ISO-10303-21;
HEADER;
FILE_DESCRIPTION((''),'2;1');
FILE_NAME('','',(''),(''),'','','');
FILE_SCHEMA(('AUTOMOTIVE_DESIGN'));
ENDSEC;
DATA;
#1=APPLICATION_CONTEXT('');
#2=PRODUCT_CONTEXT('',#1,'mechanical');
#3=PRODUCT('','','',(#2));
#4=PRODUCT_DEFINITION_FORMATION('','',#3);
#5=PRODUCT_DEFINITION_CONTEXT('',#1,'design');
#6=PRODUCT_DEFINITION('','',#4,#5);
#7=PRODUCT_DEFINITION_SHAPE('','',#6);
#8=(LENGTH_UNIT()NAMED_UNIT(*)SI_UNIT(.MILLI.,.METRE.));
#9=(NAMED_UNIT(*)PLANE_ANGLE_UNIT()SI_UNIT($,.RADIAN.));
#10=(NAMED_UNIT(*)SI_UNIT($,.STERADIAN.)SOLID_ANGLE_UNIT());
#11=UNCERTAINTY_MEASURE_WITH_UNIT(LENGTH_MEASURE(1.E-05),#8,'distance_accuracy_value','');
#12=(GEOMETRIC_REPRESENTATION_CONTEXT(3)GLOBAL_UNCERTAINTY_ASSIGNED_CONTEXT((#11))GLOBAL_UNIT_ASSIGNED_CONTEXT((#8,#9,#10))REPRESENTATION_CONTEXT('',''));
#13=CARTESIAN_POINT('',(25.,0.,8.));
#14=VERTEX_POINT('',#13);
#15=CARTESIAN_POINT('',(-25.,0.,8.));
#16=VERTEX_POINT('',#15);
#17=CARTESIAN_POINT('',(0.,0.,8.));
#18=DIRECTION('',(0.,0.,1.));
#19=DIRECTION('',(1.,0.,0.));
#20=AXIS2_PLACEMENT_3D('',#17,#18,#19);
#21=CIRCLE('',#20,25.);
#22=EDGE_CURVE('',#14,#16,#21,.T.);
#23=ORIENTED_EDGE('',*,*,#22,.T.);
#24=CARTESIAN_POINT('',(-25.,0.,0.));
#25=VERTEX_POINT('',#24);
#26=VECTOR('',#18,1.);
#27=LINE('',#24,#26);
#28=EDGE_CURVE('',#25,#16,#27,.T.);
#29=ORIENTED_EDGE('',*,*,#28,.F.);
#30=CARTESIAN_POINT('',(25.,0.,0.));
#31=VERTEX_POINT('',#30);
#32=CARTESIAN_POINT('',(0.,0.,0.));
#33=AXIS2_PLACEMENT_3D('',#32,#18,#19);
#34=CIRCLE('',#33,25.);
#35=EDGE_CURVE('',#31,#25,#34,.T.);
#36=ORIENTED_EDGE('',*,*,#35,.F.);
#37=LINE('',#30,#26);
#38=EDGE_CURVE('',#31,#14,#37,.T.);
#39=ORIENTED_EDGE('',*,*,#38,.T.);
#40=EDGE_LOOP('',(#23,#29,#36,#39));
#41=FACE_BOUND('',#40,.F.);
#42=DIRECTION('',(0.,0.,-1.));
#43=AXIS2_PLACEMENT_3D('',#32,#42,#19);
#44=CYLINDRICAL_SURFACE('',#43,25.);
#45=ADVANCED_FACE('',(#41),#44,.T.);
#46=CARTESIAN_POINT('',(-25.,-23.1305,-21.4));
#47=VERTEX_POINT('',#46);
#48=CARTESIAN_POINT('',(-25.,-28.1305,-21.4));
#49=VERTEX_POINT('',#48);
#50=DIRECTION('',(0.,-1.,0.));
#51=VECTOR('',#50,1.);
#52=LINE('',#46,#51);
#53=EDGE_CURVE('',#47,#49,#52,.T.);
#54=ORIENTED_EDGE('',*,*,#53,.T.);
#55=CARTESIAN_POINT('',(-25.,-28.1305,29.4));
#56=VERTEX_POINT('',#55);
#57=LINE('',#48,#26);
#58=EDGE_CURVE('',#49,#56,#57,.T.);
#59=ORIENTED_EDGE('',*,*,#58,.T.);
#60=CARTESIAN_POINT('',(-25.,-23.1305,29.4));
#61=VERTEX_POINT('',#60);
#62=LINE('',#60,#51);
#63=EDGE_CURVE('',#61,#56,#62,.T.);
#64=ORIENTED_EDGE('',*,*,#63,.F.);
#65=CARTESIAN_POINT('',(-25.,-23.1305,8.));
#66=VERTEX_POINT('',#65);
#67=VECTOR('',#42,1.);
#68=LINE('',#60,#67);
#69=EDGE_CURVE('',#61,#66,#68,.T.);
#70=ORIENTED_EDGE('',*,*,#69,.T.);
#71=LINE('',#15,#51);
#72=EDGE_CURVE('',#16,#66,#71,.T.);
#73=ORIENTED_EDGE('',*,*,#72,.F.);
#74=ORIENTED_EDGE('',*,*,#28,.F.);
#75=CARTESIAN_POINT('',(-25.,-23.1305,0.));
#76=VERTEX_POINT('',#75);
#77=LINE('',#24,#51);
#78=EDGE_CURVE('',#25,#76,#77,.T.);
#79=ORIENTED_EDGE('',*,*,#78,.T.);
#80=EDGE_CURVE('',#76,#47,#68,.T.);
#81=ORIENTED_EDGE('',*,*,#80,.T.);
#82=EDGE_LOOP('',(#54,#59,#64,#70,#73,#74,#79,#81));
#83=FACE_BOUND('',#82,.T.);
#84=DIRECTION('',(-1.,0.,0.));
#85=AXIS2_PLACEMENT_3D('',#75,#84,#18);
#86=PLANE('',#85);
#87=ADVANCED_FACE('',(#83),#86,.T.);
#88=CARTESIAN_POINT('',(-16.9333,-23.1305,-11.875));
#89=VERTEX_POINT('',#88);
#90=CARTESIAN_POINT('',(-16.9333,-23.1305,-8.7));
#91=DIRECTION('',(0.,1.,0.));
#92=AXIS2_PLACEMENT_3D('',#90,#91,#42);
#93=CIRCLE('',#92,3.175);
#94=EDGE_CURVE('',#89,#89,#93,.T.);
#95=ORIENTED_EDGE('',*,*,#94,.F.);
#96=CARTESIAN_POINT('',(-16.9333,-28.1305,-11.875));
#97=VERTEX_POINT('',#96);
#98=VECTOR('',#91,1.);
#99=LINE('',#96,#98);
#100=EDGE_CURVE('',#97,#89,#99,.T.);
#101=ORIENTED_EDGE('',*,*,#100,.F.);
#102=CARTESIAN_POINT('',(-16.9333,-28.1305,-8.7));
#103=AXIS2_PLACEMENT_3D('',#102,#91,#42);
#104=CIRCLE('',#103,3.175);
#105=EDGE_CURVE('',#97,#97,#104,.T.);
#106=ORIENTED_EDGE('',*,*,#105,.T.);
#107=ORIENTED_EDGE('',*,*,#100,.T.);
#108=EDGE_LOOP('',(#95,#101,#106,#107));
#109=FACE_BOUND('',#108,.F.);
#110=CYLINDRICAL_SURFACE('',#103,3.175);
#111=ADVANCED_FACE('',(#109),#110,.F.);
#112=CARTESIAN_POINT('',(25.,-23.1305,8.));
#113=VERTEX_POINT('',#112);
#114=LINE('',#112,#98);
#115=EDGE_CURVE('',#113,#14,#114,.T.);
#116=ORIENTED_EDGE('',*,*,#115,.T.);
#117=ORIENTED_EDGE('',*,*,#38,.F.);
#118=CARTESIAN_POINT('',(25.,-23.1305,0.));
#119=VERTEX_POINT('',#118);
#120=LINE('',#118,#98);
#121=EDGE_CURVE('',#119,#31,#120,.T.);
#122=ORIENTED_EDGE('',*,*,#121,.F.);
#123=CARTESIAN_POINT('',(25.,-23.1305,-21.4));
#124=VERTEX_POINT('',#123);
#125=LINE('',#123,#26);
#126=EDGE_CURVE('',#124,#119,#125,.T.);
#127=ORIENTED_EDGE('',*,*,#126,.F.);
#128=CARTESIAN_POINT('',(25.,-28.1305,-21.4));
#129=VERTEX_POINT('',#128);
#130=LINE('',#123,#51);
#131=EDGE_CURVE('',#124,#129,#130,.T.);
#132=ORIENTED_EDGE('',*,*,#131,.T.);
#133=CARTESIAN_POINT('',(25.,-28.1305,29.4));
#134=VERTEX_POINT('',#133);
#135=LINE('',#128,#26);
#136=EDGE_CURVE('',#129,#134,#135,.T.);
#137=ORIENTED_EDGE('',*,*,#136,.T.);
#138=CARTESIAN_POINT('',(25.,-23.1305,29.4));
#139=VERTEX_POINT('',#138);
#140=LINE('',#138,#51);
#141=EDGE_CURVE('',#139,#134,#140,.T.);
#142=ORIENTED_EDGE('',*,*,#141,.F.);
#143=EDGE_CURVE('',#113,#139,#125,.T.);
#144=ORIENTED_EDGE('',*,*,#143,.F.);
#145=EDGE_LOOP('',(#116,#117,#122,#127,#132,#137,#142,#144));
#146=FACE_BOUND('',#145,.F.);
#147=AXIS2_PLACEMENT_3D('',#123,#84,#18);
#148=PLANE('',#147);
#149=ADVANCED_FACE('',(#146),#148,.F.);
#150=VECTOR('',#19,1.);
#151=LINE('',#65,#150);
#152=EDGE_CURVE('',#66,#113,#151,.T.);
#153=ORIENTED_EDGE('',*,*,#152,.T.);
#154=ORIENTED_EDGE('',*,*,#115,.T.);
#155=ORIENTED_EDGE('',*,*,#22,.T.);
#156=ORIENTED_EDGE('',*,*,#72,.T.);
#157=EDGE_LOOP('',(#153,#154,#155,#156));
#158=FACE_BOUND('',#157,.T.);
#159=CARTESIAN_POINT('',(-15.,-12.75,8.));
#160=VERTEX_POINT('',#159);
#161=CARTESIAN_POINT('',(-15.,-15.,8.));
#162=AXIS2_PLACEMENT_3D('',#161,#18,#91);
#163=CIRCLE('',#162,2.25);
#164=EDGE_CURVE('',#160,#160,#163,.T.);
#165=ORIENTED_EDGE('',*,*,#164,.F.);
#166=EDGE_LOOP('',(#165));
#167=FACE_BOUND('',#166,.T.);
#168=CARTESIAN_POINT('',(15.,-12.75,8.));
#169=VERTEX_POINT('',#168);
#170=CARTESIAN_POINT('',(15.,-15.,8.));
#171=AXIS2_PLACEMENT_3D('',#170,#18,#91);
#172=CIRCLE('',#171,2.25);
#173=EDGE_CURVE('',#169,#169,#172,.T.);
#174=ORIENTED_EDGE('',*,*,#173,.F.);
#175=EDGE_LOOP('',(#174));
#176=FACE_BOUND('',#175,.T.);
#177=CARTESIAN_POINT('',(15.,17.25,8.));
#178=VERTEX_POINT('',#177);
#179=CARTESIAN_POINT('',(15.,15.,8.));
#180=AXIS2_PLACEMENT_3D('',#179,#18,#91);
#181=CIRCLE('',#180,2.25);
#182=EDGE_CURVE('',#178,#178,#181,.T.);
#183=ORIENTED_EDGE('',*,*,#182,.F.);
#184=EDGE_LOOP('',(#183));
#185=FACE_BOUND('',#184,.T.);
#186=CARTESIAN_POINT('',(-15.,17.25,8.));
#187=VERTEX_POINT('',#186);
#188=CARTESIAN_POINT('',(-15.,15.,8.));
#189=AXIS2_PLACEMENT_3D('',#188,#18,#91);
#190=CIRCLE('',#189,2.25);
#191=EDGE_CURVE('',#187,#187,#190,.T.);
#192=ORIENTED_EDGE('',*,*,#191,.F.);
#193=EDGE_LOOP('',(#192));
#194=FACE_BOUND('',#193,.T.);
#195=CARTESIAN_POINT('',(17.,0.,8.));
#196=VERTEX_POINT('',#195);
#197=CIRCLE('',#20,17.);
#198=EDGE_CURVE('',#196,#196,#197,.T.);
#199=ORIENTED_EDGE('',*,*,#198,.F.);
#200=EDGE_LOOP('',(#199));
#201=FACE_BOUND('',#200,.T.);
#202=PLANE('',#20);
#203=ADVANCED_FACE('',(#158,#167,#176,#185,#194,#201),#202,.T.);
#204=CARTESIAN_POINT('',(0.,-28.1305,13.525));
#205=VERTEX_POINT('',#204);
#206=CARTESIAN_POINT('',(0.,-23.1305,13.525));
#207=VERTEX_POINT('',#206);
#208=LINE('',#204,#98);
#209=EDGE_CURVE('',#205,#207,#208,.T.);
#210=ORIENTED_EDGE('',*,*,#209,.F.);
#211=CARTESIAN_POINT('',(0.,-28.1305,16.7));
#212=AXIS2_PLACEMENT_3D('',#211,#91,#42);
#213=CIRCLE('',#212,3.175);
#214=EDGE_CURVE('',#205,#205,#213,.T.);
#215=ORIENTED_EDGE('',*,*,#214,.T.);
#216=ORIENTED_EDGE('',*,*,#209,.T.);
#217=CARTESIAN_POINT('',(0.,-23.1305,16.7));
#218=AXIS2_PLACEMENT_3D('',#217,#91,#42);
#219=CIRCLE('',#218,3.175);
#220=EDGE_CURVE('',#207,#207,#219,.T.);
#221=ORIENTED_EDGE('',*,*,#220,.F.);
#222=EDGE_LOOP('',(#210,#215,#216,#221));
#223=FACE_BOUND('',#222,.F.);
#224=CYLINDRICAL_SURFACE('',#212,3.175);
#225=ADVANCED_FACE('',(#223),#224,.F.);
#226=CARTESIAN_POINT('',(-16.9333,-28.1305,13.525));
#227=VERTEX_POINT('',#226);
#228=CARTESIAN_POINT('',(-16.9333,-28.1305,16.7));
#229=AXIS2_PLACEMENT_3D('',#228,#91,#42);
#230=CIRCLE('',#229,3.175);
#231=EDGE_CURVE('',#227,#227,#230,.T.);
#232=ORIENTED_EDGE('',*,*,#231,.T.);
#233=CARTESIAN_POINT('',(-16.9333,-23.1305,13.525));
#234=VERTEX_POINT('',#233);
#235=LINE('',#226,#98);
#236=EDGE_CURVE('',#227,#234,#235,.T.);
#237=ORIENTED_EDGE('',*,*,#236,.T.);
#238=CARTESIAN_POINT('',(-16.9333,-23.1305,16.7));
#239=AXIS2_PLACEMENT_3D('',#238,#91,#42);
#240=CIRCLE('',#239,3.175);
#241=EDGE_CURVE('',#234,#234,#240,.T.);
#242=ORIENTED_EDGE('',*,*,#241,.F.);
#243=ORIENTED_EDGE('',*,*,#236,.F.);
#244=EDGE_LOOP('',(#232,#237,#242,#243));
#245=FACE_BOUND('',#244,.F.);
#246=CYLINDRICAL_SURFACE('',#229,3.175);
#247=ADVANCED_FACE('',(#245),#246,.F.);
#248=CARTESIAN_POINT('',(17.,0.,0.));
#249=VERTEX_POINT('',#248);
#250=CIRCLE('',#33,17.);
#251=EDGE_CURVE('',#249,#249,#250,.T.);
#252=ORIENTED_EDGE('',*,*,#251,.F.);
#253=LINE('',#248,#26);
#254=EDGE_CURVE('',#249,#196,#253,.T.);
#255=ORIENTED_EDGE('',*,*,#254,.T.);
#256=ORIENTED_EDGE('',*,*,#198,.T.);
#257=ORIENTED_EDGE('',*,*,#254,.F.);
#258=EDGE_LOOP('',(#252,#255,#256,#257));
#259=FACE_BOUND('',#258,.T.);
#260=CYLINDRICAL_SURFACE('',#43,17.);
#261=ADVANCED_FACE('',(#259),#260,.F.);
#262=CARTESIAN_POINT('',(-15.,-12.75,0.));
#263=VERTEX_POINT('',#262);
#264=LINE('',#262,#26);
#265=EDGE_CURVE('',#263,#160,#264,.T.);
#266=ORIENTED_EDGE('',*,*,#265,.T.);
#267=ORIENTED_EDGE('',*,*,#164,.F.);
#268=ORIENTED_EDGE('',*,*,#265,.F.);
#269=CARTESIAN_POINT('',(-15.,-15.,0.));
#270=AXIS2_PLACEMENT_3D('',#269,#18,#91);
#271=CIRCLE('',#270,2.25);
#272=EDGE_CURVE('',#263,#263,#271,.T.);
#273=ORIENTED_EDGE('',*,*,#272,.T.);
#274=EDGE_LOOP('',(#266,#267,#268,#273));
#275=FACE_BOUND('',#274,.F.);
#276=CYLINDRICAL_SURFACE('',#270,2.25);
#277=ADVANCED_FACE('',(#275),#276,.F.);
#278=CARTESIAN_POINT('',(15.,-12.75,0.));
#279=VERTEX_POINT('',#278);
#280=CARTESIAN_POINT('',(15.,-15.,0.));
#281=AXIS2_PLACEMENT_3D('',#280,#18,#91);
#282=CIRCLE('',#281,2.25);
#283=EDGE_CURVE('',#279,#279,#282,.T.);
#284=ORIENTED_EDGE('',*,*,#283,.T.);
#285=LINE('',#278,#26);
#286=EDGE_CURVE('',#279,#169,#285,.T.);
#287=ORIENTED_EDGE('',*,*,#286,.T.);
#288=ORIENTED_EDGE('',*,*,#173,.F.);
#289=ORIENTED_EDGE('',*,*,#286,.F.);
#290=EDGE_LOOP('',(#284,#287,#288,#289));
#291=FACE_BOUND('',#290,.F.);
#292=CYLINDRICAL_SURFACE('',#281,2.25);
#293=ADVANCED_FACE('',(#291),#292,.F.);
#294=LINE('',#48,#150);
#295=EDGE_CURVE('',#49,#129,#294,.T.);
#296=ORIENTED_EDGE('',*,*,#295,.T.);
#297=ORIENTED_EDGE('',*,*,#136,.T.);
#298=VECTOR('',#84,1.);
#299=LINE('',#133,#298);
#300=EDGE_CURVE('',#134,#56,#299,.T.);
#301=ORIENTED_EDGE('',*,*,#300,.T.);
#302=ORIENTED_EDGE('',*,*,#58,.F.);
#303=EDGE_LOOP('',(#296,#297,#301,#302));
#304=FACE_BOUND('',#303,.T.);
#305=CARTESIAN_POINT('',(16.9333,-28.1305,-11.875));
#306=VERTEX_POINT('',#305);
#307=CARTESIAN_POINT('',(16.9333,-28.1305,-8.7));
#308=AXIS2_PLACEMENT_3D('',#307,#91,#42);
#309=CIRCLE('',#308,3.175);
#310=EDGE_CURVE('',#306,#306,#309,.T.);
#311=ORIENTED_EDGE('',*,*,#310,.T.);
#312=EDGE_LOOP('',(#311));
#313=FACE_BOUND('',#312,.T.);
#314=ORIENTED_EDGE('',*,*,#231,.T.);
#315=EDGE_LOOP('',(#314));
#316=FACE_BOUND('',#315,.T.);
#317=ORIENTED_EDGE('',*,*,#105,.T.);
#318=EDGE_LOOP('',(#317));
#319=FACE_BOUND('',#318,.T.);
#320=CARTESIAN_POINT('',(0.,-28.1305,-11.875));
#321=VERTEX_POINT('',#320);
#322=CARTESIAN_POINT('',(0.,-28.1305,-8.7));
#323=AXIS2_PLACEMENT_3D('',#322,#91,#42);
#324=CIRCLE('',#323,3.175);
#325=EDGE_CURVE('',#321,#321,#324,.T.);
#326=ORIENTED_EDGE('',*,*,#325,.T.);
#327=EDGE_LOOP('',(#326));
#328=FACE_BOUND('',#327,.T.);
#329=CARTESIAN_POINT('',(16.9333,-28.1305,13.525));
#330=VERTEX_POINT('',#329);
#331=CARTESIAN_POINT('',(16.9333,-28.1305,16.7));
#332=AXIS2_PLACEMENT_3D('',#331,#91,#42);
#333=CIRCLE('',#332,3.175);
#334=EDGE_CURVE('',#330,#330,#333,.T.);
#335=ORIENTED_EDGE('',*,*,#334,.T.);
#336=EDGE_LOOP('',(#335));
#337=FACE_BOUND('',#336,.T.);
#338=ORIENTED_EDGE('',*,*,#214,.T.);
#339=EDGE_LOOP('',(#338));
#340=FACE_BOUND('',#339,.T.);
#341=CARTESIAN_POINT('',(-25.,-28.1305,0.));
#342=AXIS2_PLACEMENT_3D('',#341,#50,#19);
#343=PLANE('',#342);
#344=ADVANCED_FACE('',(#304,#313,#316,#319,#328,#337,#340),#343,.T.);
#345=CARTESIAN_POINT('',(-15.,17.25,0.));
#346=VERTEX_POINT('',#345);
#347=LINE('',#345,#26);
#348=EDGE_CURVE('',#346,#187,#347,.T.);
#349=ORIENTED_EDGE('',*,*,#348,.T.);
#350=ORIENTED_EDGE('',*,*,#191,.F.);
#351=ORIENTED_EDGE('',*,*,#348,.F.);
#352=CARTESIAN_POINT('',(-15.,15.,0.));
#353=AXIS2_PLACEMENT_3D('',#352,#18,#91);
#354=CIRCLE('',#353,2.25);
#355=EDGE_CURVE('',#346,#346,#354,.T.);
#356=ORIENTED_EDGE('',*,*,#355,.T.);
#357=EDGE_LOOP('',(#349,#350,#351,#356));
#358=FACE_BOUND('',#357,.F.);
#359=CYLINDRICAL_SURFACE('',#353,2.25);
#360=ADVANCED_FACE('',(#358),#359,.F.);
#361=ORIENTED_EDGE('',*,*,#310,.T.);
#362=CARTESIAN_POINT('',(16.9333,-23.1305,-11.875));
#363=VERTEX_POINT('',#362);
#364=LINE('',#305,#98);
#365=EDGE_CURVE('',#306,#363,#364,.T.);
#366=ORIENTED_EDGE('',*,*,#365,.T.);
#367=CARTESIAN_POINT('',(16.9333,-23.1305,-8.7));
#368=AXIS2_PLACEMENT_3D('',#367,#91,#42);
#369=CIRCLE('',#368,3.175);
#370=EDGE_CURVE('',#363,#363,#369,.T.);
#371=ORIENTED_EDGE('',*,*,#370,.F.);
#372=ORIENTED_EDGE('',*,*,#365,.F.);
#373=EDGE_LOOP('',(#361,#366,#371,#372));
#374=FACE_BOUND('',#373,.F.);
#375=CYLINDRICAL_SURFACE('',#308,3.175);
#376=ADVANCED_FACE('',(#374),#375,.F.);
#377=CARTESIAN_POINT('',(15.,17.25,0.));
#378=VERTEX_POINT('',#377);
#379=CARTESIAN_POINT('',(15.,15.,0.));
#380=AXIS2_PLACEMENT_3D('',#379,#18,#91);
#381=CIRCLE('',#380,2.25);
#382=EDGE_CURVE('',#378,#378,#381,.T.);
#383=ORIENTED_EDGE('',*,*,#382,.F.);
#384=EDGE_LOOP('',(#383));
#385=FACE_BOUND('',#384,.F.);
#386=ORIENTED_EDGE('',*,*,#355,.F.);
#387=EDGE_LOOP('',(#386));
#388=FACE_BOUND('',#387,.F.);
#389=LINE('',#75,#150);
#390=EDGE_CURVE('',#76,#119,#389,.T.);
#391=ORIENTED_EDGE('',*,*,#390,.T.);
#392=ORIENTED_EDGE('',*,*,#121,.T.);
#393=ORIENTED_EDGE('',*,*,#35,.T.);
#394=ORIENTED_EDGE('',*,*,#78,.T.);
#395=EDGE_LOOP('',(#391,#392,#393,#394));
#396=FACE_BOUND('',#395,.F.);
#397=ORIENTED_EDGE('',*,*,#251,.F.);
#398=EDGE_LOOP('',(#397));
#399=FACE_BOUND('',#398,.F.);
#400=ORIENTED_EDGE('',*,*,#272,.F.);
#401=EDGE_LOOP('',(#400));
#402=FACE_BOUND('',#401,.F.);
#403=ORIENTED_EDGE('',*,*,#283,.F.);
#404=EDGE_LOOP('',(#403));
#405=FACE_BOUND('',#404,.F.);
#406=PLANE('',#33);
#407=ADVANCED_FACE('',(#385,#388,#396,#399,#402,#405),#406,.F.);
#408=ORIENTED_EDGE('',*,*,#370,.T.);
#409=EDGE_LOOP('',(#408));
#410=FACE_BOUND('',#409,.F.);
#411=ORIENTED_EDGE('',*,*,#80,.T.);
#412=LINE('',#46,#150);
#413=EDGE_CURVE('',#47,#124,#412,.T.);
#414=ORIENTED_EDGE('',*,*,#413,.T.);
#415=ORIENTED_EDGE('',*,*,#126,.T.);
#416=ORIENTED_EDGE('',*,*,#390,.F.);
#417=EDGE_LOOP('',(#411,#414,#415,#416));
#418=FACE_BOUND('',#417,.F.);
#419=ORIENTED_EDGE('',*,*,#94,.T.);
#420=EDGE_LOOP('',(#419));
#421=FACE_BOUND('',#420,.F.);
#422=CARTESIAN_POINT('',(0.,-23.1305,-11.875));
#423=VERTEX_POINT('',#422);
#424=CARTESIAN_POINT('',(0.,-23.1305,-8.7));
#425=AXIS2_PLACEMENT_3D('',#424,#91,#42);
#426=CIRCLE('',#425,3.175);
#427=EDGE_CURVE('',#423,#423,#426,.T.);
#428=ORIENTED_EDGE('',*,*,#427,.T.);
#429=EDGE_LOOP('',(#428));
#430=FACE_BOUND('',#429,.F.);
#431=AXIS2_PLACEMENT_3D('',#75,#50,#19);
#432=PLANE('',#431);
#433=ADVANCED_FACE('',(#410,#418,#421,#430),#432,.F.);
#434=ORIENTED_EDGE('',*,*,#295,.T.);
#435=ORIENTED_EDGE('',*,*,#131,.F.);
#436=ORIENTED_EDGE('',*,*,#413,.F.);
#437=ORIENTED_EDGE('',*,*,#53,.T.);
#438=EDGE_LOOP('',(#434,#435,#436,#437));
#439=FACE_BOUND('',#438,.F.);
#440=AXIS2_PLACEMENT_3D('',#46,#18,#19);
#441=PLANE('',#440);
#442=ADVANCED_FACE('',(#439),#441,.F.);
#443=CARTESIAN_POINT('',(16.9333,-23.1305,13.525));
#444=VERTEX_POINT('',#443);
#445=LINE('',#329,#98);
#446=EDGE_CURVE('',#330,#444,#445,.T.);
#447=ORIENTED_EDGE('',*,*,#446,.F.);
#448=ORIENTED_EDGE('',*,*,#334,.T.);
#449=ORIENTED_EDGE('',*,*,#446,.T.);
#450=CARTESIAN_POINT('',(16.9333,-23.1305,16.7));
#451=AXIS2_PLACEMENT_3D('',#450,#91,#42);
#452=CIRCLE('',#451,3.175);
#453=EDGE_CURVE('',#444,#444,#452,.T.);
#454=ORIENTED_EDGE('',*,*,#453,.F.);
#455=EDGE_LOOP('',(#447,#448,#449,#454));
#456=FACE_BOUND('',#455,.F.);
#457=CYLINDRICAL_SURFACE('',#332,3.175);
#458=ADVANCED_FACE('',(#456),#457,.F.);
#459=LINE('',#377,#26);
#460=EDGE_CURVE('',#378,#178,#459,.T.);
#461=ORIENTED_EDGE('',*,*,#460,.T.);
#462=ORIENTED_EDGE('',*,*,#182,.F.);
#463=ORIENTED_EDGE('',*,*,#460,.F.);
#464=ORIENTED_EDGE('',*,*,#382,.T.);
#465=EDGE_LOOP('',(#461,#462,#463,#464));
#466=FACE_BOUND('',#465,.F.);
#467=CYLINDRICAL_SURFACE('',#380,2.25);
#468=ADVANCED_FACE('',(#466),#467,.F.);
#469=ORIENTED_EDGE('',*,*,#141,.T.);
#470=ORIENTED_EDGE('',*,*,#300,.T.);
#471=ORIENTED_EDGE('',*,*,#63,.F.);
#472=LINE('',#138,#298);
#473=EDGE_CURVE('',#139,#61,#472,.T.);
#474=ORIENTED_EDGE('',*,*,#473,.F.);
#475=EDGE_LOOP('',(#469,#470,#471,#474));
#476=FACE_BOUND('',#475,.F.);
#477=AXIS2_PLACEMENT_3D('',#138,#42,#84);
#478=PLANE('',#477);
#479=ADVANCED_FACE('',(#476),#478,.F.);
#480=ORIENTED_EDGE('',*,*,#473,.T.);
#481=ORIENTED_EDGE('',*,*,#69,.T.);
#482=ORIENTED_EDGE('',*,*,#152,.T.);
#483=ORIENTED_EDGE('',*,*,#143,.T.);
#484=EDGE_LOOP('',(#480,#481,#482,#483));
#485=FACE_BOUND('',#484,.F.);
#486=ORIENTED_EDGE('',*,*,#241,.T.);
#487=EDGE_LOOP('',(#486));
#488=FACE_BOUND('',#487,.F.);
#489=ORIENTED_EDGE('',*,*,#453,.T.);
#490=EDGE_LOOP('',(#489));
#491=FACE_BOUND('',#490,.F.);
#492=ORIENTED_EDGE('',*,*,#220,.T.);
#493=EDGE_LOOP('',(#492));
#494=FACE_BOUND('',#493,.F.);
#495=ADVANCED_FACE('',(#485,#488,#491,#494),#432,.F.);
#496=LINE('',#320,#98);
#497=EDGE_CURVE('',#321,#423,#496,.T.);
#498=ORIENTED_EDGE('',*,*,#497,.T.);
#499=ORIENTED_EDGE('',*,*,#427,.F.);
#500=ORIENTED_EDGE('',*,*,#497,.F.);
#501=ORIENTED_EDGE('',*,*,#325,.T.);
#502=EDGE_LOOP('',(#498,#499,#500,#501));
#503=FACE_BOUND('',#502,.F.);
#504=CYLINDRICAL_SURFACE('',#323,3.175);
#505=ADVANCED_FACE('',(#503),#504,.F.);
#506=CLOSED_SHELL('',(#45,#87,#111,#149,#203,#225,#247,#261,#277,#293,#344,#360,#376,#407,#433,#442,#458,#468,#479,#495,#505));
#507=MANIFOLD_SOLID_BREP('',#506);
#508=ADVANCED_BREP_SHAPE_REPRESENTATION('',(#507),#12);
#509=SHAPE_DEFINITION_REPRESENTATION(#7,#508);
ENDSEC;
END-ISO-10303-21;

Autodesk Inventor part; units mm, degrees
ref_plane "YZ Plane" through (0, 0, 0) normal (1, 0, 0) x (0, 1, 0)
ref_plane "XZ Plane" through (0, 0, 0) normal (0, 1, 0) x (-1, 0, 0)
ref_plane "XY Plane" through (0, 0, 0) normal (0, 0, 1) x (1, 0, 0)
sketch "Sketch1" plane through (0, 0, 0) normal (0, 0, 1) x (1, 0, 0)
  circle A0 centre (0, 0) radius 17
  arc A1 (25, 0) -> (-25, 0) centre (0, 0) ccw
  line L0 (-25, 0) -> (-25, -23.1305)
  line L1 (-25, -23.1305) -> (25, -23.1305)
  line L2 (25, -23.1305) -> (25, 0)
  circle A2 centre (-15, 15) radius 2.25
  circle A3 centre (15, 15) radius 2.25
  circle A4 centre (-15, -15) radius 2.25
  circle A5 centre (15, -15) radius 2.25
  dimension "d0" = 34
  dimension "d1" = 50
  dimension "d2" = 50
  dimension "d3" = 23.1305
  dimension "d54" = 4.5
  dimension "d57" = 30
  dimension "d60" = 30
  dimension "d63" = 15
  dimension "d64" = 15
extrude "Extrusion1" add sketch "Sketch1" along normal blind 8 contours L2 L1 L0 A1 | A2 | A3 | A4 | A5
sketch "Sketch2" plane through (-25, -23.1305, 0) normal (0, -1, 0) x (1, 0, 0)
  line L0 (0, 0) -> (50, 0) construction
  line L1 (0, 0) -> (0, 8) projected
  line L2 (0, -21.4) -> (50, -21.4)
  line L3 (50, -21.4) -> (50, 29.4)
  line L4 (50, 29.4) -> (0, 29.4)
  line L5 (0, 29.4) -> (0, -21.4)
  line L6 (0, -21.4) -> (50, 29.4) construction
  line L7 (50, -21.4) -> (0, 29.4) construction
  point P0 (25, 0)
  point P1 (25, 4)
  point P2 (25, 4)
  point P3 (0, 4)
  point P4 (25, 4)
  point P5 (25, 0)
  point P6 (50, 8)
  dimension "d7" = 50.8
  dimension "d65" = 50
  dimension "d66" = 50
extrude "Extrusion2" add sketch "Sketch2" along normal blind 5
sketch "Sketch3" plane through (-25, -28.1305, 0) normal (0, -1, 0) x (1, 0, 0)
  line L0 (50, 29.4) -> (0, 29.4) projected
  line L1 (0, 29.4) -> (0, -21.4) projected
  point P0 (25, 0)
  point P1 (8.0667, 16.7)
  point P2 (25, 16.7)
  point P3 (8.0667, -8.7)
  point P4 (25, -8.7)
  point P5 (41.9333, 16.7)
  point P6 (41.9333, -8.7)
  dimension "d39" = 16.9333
  dimension "d42" = 25.4
  dimension "d45" = 12.7
  dimension "d67" = 50
  dimension "d68" = 50.8
  dimension "d70" = 8.0667
hole "Hole2" at (-16.9333, -28.1305, 16.7) at (0, -28.1305, 16.7) at (-16.9333, -28.1305, -8.7) at (0, -28.1305, -8.7) at (16.9333, -28.1305, 16.7) at (16.9333, -28.1305, -8.7) direction (0, 1, 0) diameter 6.35 end through all
sketch "Sketch4" plane through (0, 0, 0) normal (0, 0, -1) x (-1, 0, 0)
  circle A0 centre (0, 0) radius 17 projected
  line L0 (25, 0) -> (25, -23.1305) projected
  line L1 (25, -23.1305) -> (-25, -23.1305) projected
  point P0 (-15, 15)
  point P1 (15, 15)
  point P2 (-15, -15)
  point P3 (15, -15)
  dimension "d80" = 30
  dimension "d83" = 30
  dimension "d86" = 15
  dimension "d87" = 15
hole "Hole3" at (15, 15, 0) at (-15, 15, 0) at (15, -15, 0) at (-15, -15, 0) direction (0, 0, 1) diameter 4.5 end through all
equation "\"d2\" = d1"
equation "\"d63\" = 0.5 * d60"
equation "\"d64\" = d63"
equation "\"d65\" = d66"
equation "\"d70\" = -d39 + 0.5 * d67"
equation "\"d83\" = d80"
equation "\"d86\" = 0.5 * d80"
equation "\"d87\" = d86"
properties part number "ff12_mount"
